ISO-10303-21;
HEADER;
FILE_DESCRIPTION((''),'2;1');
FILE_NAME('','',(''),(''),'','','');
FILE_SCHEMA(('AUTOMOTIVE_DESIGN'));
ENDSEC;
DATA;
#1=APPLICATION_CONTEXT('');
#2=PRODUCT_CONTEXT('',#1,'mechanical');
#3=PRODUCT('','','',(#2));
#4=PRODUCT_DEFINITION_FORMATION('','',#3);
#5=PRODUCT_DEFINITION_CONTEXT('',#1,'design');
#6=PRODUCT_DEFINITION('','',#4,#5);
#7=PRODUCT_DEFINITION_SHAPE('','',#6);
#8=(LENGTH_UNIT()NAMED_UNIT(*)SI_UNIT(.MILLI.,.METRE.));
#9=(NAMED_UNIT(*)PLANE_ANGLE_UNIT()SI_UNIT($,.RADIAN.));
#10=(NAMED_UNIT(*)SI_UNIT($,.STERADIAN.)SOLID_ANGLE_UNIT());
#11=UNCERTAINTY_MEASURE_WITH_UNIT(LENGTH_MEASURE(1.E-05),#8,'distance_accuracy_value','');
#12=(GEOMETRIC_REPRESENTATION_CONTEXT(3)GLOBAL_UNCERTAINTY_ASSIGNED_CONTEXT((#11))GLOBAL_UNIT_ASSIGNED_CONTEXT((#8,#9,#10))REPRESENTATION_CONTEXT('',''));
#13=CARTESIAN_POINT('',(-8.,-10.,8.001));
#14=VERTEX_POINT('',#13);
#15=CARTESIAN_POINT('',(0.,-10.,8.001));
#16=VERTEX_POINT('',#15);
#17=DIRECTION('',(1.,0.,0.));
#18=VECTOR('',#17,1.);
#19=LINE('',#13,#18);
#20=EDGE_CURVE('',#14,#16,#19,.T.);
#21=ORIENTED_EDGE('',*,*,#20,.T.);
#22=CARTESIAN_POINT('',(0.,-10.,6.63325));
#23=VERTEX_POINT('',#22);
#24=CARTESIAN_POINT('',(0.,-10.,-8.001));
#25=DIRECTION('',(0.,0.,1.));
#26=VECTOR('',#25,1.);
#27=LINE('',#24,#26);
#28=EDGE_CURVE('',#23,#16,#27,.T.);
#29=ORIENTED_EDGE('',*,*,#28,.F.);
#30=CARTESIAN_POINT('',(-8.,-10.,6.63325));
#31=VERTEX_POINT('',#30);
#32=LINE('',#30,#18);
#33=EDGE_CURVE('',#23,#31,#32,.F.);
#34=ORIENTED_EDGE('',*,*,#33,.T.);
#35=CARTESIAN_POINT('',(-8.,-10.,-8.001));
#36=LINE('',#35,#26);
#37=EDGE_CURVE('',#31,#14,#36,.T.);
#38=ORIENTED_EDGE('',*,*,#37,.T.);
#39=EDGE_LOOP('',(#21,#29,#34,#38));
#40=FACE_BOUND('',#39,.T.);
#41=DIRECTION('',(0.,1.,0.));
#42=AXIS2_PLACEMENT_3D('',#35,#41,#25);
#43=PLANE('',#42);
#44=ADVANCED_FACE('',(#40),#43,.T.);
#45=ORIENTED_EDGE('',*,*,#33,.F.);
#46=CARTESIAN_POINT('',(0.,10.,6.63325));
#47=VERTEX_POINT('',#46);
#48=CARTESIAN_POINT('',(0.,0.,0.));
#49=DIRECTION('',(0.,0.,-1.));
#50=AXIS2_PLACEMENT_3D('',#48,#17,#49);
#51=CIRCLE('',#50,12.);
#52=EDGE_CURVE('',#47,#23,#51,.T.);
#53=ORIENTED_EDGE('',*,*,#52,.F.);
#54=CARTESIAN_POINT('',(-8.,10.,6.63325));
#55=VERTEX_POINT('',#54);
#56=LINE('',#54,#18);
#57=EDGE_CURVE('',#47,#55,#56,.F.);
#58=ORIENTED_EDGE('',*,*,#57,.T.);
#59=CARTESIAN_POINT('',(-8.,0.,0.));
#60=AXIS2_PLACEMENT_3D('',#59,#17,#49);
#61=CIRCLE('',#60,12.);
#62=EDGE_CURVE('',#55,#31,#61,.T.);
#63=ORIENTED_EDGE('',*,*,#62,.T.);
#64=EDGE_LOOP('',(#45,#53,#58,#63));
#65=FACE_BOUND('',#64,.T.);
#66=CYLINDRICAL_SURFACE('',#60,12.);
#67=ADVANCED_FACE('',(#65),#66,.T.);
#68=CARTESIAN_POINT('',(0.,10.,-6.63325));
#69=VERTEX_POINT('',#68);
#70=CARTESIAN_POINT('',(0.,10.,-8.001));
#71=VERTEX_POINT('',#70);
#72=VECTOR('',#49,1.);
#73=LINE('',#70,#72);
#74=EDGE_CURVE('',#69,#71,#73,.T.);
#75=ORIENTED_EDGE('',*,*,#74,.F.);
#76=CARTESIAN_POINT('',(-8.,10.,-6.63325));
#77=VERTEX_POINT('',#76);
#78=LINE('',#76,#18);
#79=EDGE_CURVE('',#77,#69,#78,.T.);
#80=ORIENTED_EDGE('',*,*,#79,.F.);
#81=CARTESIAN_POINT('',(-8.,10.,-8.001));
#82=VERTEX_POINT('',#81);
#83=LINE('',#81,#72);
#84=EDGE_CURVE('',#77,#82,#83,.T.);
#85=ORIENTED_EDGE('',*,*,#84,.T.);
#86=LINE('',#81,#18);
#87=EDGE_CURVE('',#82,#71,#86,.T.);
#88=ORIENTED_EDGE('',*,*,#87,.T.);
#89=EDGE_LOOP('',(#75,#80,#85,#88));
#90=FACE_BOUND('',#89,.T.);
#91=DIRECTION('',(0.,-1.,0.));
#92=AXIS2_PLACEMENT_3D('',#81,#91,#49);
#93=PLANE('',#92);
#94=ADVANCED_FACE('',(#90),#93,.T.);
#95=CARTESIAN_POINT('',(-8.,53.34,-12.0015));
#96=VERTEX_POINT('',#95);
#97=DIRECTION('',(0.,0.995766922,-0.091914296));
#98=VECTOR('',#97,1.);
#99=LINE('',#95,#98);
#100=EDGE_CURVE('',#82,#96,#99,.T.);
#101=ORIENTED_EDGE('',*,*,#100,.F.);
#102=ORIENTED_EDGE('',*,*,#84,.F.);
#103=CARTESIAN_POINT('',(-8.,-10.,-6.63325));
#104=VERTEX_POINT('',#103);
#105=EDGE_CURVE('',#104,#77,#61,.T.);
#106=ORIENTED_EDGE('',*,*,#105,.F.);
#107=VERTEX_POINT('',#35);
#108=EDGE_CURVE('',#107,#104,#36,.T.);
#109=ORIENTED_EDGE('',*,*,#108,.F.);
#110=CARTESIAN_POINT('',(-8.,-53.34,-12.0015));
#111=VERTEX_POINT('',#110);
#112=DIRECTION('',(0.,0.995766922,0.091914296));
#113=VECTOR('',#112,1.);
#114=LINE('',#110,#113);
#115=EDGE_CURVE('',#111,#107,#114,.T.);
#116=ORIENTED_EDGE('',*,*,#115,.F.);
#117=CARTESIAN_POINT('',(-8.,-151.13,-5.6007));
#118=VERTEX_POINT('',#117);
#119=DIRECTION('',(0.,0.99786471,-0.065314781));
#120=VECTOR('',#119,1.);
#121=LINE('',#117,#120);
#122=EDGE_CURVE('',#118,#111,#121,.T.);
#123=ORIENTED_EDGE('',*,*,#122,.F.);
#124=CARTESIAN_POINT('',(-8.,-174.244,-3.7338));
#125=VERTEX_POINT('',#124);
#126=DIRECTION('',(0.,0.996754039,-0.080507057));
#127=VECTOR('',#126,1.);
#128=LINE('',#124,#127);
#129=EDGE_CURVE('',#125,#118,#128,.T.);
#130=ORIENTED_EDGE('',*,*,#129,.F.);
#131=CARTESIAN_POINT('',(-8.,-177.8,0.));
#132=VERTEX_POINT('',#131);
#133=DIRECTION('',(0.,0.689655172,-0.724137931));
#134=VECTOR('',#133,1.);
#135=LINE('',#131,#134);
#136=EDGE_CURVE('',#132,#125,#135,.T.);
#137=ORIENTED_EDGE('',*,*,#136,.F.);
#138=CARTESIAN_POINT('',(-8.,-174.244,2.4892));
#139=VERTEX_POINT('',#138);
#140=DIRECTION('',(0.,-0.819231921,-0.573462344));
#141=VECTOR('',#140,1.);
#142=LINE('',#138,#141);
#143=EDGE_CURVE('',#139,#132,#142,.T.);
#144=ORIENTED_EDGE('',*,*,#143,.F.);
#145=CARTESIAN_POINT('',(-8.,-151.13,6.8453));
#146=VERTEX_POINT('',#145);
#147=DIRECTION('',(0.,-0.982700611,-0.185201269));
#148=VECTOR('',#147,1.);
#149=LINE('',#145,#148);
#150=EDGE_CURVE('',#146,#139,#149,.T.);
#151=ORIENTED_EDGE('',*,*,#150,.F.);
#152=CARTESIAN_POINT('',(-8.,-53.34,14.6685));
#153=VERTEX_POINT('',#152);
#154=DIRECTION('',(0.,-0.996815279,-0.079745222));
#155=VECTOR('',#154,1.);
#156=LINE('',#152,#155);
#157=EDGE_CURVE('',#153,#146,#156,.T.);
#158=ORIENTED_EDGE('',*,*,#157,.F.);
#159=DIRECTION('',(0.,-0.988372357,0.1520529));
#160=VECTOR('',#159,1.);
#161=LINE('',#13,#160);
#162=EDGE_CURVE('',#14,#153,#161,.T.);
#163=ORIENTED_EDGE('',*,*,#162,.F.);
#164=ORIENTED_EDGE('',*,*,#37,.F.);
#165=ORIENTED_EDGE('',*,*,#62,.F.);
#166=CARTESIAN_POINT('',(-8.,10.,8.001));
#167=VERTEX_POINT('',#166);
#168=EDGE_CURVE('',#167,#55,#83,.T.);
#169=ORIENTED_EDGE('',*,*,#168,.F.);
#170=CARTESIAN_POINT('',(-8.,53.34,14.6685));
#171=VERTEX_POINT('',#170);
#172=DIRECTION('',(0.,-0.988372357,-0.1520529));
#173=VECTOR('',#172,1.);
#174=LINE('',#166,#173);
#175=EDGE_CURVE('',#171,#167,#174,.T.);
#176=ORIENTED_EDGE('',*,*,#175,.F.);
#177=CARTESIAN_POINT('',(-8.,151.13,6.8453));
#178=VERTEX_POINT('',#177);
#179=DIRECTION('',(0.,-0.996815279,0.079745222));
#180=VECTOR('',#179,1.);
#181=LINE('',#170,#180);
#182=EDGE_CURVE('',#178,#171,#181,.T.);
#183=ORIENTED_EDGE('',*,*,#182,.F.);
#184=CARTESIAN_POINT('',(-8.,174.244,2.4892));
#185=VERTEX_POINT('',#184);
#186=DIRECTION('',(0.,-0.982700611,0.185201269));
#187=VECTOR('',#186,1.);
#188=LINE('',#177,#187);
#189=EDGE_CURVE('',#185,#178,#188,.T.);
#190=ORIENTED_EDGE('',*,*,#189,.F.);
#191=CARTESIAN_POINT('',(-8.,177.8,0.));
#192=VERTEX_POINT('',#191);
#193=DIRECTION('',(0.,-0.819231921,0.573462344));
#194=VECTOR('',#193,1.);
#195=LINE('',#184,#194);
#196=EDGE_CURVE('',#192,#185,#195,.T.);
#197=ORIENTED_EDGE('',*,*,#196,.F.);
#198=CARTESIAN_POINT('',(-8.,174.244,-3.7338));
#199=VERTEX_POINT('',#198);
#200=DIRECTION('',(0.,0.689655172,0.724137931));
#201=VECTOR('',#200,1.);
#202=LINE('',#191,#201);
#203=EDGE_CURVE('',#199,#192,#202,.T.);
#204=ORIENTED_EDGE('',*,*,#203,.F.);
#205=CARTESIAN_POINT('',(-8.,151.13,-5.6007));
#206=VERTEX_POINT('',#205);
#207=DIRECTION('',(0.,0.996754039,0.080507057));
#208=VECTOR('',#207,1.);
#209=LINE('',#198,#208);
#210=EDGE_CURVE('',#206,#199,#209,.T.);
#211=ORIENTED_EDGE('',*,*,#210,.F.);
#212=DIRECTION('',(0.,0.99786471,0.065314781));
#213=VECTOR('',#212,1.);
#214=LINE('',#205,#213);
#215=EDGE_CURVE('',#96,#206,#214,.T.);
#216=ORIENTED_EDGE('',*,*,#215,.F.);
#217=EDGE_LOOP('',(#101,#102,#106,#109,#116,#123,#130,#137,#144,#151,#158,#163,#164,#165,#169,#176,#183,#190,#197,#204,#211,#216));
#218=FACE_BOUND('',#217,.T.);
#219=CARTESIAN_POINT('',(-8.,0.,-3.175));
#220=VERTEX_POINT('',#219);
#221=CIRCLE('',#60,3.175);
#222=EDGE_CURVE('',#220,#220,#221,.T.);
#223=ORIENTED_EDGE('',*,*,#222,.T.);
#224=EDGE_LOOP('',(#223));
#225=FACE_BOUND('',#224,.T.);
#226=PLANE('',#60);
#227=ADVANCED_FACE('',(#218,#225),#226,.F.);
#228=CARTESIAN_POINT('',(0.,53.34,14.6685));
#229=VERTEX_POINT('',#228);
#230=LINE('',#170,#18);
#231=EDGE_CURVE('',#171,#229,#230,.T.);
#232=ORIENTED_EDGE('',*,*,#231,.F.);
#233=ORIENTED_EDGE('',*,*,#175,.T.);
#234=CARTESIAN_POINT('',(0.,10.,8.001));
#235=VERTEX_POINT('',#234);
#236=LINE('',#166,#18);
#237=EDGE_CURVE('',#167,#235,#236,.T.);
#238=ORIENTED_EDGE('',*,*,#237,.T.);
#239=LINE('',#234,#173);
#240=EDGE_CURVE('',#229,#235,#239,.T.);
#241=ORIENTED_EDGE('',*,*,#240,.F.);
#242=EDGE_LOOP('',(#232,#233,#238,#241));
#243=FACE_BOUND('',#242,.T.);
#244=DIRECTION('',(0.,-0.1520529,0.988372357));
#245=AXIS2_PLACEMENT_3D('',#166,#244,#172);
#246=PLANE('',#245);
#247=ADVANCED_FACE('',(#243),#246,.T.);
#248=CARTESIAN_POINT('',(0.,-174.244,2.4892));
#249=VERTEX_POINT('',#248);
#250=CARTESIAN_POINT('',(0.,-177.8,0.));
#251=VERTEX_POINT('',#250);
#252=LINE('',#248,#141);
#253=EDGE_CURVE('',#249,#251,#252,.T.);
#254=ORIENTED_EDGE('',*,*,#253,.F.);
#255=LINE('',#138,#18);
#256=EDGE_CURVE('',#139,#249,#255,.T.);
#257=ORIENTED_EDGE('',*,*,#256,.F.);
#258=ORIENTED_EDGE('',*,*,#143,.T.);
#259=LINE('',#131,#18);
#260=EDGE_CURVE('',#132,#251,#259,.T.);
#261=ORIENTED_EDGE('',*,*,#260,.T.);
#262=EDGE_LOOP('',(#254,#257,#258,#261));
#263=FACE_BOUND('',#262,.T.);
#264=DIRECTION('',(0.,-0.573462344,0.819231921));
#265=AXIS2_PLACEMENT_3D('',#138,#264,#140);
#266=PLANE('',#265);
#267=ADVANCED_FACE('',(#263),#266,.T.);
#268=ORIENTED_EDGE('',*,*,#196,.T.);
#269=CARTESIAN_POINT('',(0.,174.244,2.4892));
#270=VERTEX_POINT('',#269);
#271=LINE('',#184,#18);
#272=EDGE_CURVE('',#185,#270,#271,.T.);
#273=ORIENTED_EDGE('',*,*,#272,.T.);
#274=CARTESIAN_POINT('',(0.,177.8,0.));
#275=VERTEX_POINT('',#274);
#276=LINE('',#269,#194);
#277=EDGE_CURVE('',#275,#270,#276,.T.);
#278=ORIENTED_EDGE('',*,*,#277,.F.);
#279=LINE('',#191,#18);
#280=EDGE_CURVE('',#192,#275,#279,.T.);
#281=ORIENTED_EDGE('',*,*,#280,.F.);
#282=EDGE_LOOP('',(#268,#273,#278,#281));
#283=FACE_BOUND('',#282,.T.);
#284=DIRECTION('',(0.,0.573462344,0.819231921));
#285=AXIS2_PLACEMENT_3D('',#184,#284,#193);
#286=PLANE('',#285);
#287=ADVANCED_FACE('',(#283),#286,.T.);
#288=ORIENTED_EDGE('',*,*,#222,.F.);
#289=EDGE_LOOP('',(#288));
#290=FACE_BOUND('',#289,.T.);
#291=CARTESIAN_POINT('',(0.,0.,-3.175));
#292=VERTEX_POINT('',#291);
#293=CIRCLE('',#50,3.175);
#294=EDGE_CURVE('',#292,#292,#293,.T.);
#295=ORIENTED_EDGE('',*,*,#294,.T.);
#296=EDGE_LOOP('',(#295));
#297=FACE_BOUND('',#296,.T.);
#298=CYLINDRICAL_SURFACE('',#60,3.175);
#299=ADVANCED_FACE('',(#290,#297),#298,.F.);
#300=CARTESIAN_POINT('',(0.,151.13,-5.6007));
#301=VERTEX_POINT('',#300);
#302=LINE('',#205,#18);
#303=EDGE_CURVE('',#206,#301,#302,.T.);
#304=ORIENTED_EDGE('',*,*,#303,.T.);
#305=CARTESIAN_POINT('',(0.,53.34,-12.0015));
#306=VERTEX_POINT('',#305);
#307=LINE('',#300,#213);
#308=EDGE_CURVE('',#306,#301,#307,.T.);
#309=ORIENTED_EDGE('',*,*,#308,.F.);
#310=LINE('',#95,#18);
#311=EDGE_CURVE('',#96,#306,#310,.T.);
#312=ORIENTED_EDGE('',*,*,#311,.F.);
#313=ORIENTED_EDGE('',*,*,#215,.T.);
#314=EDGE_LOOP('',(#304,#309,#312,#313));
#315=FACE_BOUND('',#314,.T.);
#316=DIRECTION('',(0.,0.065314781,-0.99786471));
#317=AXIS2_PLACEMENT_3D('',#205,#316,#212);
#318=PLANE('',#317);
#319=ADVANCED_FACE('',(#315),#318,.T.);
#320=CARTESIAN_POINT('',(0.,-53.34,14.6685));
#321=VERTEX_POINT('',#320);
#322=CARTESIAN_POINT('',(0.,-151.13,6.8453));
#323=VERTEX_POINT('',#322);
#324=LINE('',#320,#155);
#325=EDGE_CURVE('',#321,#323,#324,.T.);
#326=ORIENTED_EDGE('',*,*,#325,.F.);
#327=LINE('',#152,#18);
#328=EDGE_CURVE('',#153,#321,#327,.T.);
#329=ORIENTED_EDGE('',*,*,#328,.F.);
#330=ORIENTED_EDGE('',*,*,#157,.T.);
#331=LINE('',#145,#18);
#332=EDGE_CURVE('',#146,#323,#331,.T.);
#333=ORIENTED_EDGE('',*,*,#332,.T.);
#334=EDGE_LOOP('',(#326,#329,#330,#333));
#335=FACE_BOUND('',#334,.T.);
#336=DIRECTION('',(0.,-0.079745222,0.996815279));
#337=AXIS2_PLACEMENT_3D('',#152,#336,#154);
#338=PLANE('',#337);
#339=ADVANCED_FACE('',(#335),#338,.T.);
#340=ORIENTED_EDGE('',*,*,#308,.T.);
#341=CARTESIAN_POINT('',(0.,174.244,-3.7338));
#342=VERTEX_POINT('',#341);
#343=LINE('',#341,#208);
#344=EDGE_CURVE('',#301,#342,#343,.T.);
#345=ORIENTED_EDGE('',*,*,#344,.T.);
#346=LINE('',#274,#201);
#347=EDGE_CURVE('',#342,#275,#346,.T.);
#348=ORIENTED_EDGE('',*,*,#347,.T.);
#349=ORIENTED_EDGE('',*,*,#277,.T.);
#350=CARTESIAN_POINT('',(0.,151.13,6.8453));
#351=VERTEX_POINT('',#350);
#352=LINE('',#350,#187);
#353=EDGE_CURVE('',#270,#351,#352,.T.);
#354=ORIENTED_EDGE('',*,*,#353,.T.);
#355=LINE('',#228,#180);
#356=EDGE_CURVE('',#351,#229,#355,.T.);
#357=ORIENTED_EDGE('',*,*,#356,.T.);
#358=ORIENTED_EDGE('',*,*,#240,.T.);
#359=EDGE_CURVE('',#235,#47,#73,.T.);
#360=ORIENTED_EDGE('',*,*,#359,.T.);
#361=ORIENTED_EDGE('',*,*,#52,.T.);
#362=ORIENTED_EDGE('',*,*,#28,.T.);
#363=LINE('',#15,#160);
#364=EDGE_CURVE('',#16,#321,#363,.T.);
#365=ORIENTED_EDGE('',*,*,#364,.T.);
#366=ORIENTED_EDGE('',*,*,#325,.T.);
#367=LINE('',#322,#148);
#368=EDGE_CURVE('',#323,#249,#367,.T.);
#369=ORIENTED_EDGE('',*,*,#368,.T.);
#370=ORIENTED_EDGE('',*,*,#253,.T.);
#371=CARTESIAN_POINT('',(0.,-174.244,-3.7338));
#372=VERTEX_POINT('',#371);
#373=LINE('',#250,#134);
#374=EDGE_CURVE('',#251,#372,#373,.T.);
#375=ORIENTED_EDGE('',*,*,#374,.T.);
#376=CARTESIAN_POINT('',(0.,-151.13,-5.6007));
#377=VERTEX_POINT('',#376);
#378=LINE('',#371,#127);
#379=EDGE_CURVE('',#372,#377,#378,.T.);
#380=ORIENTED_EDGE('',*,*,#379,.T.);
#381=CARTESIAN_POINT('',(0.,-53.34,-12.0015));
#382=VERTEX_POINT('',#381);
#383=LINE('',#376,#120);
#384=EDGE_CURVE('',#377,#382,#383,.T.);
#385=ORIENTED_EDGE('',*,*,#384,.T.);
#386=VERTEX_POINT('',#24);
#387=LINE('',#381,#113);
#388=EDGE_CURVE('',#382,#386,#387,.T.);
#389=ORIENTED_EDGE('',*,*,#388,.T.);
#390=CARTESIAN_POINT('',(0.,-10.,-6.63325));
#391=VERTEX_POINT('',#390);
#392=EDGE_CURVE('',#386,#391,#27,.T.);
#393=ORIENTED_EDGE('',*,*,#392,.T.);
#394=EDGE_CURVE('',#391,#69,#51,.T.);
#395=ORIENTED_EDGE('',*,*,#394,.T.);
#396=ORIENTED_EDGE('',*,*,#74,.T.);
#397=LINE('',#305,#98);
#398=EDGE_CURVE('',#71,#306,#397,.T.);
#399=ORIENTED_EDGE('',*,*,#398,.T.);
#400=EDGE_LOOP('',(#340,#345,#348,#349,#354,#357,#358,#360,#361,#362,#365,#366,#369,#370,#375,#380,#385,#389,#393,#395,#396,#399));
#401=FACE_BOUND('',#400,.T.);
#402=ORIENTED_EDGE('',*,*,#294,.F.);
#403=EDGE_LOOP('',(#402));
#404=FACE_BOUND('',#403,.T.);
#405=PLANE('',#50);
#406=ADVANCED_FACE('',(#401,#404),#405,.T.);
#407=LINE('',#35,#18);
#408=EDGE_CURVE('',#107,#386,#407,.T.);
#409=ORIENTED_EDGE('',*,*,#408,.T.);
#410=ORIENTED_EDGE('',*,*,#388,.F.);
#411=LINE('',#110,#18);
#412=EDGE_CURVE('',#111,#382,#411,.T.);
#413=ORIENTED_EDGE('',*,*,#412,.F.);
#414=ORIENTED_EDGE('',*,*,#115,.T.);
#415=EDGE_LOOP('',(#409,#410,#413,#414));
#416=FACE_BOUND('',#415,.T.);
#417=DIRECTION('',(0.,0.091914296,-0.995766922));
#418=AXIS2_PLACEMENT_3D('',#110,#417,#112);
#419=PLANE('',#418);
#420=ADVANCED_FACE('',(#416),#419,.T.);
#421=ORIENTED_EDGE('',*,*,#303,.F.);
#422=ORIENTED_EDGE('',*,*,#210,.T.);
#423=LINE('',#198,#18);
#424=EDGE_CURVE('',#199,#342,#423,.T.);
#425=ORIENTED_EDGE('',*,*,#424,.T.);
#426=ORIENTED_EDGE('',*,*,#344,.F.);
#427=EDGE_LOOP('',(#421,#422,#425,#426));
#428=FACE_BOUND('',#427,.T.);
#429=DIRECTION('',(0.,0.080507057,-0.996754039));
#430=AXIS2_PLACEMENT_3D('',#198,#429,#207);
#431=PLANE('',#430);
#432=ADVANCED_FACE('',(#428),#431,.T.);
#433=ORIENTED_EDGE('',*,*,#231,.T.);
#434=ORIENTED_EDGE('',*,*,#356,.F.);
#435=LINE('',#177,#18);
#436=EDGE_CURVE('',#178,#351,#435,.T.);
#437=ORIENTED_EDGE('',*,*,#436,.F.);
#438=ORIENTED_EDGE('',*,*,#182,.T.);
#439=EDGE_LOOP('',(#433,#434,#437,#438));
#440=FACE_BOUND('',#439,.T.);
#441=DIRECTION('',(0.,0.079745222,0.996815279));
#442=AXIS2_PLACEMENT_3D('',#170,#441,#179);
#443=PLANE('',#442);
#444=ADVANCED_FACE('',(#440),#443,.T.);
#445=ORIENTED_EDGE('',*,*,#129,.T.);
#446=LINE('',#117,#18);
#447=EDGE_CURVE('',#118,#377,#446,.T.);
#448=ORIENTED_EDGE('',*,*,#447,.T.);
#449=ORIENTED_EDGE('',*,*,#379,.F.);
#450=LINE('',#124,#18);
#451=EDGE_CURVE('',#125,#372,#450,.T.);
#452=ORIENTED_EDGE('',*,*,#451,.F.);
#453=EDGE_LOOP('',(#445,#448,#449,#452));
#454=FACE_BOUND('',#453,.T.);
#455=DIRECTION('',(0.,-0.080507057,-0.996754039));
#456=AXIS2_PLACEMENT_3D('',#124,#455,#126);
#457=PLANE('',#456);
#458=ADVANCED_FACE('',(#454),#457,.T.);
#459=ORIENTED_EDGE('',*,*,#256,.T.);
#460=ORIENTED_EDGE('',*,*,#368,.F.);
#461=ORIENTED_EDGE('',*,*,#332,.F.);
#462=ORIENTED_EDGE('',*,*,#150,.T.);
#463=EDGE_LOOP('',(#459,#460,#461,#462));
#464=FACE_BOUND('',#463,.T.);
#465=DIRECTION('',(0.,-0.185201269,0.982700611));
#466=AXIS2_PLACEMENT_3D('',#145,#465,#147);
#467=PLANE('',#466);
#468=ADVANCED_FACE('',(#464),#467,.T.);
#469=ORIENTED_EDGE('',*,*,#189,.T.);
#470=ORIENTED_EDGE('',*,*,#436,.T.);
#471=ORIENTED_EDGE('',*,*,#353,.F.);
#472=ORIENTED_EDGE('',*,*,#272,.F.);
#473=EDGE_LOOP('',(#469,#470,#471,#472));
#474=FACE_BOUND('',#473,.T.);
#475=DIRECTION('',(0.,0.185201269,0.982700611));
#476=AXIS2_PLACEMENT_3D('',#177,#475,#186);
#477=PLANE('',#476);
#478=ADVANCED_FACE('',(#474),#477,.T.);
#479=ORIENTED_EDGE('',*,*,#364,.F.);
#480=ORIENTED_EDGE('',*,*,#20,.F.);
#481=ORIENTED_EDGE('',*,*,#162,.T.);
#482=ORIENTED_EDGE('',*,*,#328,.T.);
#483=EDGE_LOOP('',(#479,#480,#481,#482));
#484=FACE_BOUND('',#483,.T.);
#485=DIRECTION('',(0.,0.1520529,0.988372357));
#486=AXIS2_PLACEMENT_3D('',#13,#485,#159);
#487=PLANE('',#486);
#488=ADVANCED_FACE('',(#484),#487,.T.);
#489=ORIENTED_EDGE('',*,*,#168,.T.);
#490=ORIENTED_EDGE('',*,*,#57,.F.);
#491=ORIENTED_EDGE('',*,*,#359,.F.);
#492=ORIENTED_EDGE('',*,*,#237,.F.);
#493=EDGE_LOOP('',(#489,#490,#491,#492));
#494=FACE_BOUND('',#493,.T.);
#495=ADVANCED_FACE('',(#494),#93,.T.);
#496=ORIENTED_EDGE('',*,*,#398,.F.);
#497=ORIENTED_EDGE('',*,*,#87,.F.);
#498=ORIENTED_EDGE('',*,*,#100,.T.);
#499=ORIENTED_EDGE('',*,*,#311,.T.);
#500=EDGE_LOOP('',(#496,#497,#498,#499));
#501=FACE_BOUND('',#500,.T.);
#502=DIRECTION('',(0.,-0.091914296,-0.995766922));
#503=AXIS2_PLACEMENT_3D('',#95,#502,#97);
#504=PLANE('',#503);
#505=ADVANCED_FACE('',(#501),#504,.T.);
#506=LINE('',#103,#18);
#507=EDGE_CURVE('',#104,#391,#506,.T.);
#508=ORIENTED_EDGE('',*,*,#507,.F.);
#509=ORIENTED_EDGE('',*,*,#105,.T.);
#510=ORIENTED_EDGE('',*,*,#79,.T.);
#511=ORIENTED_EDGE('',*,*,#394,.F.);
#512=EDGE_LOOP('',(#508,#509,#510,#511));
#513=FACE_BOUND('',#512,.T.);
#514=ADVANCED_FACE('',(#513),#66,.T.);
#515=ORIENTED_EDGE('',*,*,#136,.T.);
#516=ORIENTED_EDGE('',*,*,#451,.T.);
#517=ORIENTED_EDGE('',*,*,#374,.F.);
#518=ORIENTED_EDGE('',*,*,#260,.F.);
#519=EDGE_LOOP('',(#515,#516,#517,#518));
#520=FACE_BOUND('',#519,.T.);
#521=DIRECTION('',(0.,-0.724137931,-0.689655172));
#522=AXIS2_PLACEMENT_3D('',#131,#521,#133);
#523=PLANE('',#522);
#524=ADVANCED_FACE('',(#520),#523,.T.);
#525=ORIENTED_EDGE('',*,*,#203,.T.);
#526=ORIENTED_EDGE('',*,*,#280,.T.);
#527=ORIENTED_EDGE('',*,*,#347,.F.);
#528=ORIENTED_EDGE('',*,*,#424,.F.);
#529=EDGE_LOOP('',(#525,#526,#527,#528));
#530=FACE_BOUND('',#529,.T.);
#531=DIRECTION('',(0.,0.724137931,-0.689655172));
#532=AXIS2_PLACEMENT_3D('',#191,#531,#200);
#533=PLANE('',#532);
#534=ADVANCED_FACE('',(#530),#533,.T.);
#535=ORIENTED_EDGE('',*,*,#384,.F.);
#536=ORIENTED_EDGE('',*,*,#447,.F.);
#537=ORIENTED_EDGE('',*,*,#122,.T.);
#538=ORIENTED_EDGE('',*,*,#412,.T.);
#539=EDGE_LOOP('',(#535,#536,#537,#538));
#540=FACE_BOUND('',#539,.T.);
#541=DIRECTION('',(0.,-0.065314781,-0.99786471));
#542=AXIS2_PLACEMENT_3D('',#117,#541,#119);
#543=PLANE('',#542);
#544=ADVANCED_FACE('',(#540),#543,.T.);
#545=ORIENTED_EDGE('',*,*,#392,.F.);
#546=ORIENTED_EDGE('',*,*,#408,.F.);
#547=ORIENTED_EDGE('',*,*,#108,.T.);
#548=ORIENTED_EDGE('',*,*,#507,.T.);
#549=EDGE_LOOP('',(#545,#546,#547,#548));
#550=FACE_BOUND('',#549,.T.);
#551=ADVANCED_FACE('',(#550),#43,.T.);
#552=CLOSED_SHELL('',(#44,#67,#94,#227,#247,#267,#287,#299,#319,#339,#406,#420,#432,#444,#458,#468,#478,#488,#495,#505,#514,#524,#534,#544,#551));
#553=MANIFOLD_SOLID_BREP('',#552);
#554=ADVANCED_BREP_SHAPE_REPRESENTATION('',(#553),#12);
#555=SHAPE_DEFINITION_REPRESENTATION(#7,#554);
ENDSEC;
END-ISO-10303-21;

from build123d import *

# Parameters (mm, degrees)
BOSS_EXTRUDE1_DEPTH     = 8
BOSS_EXTRUDE1_2_DEPTH   = 8
SKETCH2_R               = 12
BOSS_EXTRUDE2_DEPTH     = 8
CUT_EXTRUDE1_DEPTH      = 179.583327588
CUT_EXTRUDE1_DEPTH_BACK = 179.583327588
SKETCH3_R               = 3.175


with BuildPart() as part:
    # Sketch1 → Boss-Extrude1 (new body)
    with BuildSketch(Plane(origin=(0, 0, 0), x_dir=(0, 0, -1), z_dir=(1, 0, 0))):
        Polygon((-8.001, 10), (-14.6685, 53.34), (-6.8453, 151.13), (-2.4892, 174.244), (0, 177.8), (3.7338, 174.244), (5.6007, 151.13), (12.0015, 53.34), (8.001, 10), align=None)
    extrude(amount=-BOSS_EXTRUDE1_DEPTH)



with BuildPart() as body_2:
    # Sketch1 → Boss-Extrude1 2 (new body)
    with BuildSketch(Plane(origin=(0, 0, 0), x_dir=(0, 0, -1), z_dir=(1, 0, 0))):
        Polygon((-8.001, -10), (-14.6685, -53.34), (-6.8453, -151.13), (-2.4892, -174.244), (0, -177.8), (3.7338, -174.244), (5.6007, -151.13), (12.0015, -53.34), (8.001, -10), align=None)
    extrude(amount=-BOSS_EXTRUDE1_2_DEPTH)


with BuildPart() as part_1:
    add(part.part)

    add(body_2.part)  # Boss-Extrude2 merges body 2
    # Sketch2 → Boss-Extrude2 (add)
    with BuildSketch(Plane(origin=(0, 0, 0), x_dir=(0, 0, -1), z_dir=(1, 0, 0))):
        Circle(SKETCH2_R)
    extrude(amount=-BOSS_EXTRUDE2_DEPTH)

    # Sketch3 → Cut-Extrude1 (cut, two sides: drawn at the far end of the back side and taken through both)
    with BuildSketch(Plane(origin=(0, 0, 0), x_dir=(0, 0, -1), z_dir=(1, 0, 0)).offset(-CUT_EXTRUDE1_DEPTH_BACK)):
        Circle(SKETCH3_R)
    extrude(amount=CUT_EXTRUDE1_DEPTH + CUT_EXTRUDE1_DEPTH_BACK, mode=Mode.SUBTRACT)


solid = part_1.part
